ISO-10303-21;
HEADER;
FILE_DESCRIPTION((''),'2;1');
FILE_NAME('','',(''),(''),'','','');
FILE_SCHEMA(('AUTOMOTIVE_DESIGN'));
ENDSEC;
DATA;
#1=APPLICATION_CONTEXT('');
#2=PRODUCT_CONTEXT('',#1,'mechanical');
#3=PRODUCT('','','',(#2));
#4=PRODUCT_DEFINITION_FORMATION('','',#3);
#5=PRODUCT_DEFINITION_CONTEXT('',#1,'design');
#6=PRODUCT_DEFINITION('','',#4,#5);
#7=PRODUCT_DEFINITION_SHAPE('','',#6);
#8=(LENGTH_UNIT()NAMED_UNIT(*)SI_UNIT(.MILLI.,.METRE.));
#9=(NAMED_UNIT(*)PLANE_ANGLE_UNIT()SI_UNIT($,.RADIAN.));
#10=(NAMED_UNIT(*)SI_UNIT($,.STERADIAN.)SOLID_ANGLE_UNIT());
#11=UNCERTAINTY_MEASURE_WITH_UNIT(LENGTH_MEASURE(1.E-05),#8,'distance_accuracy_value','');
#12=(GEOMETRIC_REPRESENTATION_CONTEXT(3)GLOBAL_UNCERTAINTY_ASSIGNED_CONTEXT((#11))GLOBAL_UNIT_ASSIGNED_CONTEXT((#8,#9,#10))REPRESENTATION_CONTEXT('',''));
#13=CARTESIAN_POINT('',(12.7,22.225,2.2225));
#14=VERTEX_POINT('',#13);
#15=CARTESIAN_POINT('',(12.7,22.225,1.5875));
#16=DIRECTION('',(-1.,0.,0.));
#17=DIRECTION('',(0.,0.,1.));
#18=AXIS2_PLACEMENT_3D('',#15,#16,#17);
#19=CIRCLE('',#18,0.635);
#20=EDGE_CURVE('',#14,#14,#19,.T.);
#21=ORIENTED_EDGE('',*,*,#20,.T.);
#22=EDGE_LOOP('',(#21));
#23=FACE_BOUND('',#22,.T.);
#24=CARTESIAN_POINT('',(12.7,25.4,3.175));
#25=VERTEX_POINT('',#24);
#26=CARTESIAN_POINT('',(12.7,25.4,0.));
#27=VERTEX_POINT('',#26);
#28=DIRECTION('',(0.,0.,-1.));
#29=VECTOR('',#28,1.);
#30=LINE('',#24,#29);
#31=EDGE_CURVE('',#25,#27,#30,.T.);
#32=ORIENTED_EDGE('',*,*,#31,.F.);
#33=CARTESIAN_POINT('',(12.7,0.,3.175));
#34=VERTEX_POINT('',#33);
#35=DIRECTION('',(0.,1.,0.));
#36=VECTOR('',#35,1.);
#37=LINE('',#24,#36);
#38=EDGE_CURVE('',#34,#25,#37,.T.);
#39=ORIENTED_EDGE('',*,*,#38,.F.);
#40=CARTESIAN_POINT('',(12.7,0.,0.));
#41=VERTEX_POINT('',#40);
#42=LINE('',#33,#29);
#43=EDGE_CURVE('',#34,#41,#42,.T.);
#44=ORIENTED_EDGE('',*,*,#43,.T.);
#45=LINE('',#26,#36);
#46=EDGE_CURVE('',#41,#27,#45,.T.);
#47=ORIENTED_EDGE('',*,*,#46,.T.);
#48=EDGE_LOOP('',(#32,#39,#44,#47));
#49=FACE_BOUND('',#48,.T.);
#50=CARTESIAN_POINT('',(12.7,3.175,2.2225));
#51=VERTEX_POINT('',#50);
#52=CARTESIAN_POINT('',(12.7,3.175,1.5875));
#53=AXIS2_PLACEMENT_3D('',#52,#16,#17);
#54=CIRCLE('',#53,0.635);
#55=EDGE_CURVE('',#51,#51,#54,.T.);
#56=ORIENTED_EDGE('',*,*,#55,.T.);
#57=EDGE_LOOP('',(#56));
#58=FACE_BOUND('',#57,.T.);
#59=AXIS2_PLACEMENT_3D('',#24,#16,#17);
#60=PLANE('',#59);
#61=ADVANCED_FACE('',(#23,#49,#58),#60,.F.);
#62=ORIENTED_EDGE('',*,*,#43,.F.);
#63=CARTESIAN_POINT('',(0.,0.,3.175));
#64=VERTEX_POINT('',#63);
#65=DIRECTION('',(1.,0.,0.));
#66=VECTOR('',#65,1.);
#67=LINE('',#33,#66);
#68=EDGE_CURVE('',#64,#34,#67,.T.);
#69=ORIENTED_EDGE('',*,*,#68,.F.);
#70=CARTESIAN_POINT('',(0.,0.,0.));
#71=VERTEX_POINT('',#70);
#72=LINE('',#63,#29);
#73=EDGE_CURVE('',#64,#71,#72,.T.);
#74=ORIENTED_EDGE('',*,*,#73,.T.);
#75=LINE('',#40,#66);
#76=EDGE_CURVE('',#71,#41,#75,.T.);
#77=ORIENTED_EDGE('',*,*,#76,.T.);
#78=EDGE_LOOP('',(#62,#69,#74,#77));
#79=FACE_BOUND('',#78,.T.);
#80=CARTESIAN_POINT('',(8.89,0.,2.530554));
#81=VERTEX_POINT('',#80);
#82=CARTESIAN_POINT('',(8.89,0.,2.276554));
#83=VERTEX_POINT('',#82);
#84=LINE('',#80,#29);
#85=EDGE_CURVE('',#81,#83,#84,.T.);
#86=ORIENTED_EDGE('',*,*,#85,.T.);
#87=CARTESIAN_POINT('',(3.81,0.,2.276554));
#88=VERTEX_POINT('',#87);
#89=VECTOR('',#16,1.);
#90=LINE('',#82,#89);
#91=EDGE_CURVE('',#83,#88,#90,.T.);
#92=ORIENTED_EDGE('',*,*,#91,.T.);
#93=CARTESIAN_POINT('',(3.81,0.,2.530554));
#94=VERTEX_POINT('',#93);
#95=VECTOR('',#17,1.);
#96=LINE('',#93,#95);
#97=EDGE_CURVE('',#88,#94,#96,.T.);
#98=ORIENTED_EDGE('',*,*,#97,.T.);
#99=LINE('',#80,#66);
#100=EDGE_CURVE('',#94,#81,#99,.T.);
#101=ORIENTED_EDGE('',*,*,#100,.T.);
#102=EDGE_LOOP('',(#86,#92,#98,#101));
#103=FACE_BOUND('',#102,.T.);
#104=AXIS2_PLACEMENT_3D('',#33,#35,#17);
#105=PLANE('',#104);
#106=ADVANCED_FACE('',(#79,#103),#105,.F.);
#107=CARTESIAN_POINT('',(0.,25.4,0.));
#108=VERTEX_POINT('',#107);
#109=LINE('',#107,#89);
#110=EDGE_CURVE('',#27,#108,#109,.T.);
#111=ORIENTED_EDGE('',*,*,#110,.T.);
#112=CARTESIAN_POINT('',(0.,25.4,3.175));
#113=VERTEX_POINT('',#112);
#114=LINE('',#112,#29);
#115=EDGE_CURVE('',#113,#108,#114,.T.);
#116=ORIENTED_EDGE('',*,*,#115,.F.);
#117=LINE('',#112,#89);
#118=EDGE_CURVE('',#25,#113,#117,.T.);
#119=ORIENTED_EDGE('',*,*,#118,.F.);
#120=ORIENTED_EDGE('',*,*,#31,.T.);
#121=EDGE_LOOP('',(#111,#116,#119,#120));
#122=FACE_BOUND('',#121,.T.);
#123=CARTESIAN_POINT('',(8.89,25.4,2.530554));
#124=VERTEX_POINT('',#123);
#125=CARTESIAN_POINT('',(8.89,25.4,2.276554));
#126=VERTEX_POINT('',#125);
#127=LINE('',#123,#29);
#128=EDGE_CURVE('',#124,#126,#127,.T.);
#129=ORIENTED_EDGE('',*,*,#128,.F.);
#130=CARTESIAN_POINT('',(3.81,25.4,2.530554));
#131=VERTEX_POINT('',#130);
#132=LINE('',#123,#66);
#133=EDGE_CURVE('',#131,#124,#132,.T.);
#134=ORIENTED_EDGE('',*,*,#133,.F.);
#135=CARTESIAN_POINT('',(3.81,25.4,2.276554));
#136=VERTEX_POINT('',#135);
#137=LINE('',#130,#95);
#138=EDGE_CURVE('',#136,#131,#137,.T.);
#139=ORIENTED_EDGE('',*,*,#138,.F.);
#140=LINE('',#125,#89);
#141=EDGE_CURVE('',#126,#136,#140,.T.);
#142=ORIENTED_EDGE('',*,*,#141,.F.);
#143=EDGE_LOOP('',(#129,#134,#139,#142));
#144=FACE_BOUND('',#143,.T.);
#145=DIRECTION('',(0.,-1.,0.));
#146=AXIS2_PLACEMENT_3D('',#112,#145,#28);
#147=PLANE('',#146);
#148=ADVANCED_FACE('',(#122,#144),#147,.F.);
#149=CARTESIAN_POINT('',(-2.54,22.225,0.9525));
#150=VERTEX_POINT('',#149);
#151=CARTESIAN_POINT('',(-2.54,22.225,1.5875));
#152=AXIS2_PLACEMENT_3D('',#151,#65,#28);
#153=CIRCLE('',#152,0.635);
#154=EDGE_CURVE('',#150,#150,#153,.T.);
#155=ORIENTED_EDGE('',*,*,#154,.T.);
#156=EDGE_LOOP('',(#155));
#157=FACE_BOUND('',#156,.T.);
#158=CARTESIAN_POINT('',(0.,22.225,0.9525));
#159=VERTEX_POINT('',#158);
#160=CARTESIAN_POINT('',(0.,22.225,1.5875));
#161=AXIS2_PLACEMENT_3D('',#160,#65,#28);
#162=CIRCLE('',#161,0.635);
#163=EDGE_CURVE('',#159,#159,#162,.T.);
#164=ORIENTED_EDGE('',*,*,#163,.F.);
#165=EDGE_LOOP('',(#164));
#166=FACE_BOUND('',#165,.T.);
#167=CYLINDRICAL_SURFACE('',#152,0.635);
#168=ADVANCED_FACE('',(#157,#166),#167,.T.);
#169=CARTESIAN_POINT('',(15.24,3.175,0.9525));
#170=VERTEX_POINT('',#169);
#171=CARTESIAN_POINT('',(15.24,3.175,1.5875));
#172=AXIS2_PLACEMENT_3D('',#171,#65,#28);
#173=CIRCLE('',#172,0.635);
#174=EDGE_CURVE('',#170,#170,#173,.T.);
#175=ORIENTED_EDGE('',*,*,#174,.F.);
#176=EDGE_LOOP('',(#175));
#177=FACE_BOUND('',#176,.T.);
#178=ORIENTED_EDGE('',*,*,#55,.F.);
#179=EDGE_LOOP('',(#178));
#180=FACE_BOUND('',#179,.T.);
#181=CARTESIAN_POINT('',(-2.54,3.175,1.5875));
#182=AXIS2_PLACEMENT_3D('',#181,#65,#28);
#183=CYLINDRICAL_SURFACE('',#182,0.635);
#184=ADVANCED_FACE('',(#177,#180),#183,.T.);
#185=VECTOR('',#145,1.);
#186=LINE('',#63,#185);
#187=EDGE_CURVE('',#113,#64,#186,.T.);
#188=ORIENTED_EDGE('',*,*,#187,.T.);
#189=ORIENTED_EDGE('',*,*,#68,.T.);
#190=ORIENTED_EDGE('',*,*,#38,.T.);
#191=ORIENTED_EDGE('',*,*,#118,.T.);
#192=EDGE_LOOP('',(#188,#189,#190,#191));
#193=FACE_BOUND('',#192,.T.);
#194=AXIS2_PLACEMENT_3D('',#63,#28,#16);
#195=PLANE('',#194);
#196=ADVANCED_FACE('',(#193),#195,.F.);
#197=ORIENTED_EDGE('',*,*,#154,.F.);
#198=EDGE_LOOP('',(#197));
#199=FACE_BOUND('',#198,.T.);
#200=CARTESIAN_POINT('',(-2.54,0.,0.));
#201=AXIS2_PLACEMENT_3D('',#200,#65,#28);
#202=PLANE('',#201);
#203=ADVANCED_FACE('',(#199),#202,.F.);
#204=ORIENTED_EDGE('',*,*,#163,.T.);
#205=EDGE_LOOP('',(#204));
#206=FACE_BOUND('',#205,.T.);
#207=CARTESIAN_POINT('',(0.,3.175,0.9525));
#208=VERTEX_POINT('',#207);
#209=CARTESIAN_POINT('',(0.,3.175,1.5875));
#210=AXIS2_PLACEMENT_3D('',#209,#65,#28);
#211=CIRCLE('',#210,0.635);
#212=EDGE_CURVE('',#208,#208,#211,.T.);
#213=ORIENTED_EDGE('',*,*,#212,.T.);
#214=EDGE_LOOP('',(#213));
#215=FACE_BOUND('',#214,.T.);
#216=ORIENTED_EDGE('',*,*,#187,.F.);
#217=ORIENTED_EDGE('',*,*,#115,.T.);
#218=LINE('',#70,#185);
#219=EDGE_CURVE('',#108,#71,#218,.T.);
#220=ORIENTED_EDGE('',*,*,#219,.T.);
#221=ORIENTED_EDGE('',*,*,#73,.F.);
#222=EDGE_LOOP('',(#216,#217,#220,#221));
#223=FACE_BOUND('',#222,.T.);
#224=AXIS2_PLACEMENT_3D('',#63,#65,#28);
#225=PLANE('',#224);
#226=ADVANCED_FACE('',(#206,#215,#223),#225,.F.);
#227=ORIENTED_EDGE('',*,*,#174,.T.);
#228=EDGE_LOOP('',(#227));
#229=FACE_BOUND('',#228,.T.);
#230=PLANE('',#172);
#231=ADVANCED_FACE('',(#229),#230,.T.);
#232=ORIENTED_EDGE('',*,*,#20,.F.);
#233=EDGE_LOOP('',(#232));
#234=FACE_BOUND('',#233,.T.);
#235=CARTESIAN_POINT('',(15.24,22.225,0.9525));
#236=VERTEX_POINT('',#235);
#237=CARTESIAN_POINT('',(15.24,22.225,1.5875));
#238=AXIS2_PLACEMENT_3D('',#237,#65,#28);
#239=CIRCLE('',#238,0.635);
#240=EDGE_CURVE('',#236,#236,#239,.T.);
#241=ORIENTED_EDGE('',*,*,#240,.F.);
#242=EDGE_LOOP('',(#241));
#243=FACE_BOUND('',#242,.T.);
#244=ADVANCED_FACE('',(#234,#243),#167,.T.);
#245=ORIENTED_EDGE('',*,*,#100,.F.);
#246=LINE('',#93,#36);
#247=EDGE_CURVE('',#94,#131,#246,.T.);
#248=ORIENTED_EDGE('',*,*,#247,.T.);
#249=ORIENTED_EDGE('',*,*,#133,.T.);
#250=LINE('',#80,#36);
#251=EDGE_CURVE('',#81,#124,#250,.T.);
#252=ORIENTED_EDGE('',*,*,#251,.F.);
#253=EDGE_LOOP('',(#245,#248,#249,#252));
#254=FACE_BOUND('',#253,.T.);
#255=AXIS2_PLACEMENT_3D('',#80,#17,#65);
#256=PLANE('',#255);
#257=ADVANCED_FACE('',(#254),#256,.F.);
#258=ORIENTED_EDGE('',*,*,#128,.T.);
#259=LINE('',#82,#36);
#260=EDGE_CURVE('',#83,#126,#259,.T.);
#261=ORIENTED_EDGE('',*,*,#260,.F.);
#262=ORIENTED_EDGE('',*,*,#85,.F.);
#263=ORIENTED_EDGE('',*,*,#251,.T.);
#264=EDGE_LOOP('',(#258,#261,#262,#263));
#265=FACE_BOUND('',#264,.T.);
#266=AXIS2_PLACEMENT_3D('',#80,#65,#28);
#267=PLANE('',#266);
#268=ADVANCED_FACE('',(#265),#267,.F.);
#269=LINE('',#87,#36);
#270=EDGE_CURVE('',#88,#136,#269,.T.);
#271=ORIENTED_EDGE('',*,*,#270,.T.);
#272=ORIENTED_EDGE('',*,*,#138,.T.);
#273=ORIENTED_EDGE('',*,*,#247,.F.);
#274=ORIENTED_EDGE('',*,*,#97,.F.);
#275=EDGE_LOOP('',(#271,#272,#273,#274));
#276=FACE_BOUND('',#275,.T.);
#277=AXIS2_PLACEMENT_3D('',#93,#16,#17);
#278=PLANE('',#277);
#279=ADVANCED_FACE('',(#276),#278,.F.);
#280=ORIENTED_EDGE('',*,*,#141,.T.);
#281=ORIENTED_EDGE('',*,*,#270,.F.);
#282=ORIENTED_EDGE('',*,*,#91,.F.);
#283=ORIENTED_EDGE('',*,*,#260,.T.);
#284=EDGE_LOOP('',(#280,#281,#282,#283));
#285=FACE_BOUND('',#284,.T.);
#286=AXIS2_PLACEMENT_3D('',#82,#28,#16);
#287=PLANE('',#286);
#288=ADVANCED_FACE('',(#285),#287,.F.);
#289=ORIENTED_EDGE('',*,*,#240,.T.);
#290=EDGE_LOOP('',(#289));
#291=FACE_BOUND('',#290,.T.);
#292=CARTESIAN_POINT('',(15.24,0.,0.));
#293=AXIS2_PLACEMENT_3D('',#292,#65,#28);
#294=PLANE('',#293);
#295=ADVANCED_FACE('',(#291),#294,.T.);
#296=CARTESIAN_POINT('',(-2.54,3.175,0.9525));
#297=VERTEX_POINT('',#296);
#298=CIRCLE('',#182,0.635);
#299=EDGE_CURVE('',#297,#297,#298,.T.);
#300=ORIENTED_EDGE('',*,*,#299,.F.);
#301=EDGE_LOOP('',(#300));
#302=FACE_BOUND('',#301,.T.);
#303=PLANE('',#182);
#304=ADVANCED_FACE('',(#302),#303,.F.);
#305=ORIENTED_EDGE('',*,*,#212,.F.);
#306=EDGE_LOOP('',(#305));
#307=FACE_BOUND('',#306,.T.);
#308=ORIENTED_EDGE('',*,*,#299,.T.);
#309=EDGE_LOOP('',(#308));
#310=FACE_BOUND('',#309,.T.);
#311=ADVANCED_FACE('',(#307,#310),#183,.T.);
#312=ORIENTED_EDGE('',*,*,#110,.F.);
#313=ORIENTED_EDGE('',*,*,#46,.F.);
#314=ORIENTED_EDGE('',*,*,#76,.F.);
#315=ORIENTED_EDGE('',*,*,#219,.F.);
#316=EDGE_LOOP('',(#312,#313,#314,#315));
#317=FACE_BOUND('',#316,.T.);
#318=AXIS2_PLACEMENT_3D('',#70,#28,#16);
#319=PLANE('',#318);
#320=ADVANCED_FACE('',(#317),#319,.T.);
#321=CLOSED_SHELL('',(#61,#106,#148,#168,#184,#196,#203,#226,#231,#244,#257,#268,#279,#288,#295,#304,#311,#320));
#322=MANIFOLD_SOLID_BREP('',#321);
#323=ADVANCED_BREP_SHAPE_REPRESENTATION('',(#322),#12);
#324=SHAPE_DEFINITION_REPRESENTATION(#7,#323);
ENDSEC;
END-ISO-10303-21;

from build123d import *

# Parameters (mm, degrees)
SKETCH1_W                = 12.7
SKETCH1_H                = 25.4
BOSS_EXTRUDE1_DEPTH      = 3.175
BOSS_EXTRUDE3_DEPTH      = 2.54
BOSS_EXTRUDE3_DEPTH_BACK = 15.24
SKETCH2_R                = 0.635
BOSS_EXTRUDE5_DEPTH      = 2.54
BOSS_EXTRUDE5_DEPTH_BACK = 15.24
SKETCH6_R                = 0.635
SKETCH7_W                = 5.08
SKETCH7_H                = 0.254
CUT_EXTRUDE1_DEPTH       = 30.790908429


with BuildPart() as part:
    # Sketch1 → Boss-Extrude1 (new body)
    with BuildSketch(Plane.XY):
        with Locations((6.35, 12.7)):
            Rectangle(SKETCH1_W, SKETCH1_H)
    extrude(amount=BOSS_EXTRUDE1_DEPTH)

    # Sketch2 → Boss-Extrude3 (add, two sides: drawn at the far end of the back side and taken through both)
    with BuildSketch(Plane(origin=(12.7, 0, 0), x_dir=(0, 0, -1), z_dir=(1, 0, 0)).offset(-BOSS_EXTRUDE3_DEPTH_BACK)):
        with Locations((-1.5875, 22.225)):
            Circle(SKETCH2_R)
    extrude(amount=BOSS_EXTRUDE3_DEPTH + BOSS_EXTRUDE3_DEPTH_BACK)

    # Sketch6 → Boss-Extrude5 (add, two sides: drawn at the far end of the back side and taken through both)
    with BuildSketch(Plane(origin=(12.7, 0, 0), x_dir=(0, 0, -1), z_dir=(1, 0, 0)).offset(-BOSS_EXTRUDE5_DEPTH_BACK)):
        with Locations((-1.5875, 3.175)):
            Circle(SKETCH6_R)
    extrude(amount=BOSS_EXTRUDE5_DEPTH + BOSS_EXTRUDE5_DEPTH_BACK)

    # Sketch7 → Cut-Extrude1 (cut, through all)
    with BuildSketch(Plane(origin=(0, 25.4, 0), x_dir=(1, 0, 0), z_dir=(0, 1, 0))):
        with Locations((6.35, -2.403553661)):
            Rectangle(SKETCH7_W, SKETCH7_H)
    extrude(amount=-CUT_EXTRUDE1_DEPTH, mode=Mode.SUBTRACT)


solid = part.part
